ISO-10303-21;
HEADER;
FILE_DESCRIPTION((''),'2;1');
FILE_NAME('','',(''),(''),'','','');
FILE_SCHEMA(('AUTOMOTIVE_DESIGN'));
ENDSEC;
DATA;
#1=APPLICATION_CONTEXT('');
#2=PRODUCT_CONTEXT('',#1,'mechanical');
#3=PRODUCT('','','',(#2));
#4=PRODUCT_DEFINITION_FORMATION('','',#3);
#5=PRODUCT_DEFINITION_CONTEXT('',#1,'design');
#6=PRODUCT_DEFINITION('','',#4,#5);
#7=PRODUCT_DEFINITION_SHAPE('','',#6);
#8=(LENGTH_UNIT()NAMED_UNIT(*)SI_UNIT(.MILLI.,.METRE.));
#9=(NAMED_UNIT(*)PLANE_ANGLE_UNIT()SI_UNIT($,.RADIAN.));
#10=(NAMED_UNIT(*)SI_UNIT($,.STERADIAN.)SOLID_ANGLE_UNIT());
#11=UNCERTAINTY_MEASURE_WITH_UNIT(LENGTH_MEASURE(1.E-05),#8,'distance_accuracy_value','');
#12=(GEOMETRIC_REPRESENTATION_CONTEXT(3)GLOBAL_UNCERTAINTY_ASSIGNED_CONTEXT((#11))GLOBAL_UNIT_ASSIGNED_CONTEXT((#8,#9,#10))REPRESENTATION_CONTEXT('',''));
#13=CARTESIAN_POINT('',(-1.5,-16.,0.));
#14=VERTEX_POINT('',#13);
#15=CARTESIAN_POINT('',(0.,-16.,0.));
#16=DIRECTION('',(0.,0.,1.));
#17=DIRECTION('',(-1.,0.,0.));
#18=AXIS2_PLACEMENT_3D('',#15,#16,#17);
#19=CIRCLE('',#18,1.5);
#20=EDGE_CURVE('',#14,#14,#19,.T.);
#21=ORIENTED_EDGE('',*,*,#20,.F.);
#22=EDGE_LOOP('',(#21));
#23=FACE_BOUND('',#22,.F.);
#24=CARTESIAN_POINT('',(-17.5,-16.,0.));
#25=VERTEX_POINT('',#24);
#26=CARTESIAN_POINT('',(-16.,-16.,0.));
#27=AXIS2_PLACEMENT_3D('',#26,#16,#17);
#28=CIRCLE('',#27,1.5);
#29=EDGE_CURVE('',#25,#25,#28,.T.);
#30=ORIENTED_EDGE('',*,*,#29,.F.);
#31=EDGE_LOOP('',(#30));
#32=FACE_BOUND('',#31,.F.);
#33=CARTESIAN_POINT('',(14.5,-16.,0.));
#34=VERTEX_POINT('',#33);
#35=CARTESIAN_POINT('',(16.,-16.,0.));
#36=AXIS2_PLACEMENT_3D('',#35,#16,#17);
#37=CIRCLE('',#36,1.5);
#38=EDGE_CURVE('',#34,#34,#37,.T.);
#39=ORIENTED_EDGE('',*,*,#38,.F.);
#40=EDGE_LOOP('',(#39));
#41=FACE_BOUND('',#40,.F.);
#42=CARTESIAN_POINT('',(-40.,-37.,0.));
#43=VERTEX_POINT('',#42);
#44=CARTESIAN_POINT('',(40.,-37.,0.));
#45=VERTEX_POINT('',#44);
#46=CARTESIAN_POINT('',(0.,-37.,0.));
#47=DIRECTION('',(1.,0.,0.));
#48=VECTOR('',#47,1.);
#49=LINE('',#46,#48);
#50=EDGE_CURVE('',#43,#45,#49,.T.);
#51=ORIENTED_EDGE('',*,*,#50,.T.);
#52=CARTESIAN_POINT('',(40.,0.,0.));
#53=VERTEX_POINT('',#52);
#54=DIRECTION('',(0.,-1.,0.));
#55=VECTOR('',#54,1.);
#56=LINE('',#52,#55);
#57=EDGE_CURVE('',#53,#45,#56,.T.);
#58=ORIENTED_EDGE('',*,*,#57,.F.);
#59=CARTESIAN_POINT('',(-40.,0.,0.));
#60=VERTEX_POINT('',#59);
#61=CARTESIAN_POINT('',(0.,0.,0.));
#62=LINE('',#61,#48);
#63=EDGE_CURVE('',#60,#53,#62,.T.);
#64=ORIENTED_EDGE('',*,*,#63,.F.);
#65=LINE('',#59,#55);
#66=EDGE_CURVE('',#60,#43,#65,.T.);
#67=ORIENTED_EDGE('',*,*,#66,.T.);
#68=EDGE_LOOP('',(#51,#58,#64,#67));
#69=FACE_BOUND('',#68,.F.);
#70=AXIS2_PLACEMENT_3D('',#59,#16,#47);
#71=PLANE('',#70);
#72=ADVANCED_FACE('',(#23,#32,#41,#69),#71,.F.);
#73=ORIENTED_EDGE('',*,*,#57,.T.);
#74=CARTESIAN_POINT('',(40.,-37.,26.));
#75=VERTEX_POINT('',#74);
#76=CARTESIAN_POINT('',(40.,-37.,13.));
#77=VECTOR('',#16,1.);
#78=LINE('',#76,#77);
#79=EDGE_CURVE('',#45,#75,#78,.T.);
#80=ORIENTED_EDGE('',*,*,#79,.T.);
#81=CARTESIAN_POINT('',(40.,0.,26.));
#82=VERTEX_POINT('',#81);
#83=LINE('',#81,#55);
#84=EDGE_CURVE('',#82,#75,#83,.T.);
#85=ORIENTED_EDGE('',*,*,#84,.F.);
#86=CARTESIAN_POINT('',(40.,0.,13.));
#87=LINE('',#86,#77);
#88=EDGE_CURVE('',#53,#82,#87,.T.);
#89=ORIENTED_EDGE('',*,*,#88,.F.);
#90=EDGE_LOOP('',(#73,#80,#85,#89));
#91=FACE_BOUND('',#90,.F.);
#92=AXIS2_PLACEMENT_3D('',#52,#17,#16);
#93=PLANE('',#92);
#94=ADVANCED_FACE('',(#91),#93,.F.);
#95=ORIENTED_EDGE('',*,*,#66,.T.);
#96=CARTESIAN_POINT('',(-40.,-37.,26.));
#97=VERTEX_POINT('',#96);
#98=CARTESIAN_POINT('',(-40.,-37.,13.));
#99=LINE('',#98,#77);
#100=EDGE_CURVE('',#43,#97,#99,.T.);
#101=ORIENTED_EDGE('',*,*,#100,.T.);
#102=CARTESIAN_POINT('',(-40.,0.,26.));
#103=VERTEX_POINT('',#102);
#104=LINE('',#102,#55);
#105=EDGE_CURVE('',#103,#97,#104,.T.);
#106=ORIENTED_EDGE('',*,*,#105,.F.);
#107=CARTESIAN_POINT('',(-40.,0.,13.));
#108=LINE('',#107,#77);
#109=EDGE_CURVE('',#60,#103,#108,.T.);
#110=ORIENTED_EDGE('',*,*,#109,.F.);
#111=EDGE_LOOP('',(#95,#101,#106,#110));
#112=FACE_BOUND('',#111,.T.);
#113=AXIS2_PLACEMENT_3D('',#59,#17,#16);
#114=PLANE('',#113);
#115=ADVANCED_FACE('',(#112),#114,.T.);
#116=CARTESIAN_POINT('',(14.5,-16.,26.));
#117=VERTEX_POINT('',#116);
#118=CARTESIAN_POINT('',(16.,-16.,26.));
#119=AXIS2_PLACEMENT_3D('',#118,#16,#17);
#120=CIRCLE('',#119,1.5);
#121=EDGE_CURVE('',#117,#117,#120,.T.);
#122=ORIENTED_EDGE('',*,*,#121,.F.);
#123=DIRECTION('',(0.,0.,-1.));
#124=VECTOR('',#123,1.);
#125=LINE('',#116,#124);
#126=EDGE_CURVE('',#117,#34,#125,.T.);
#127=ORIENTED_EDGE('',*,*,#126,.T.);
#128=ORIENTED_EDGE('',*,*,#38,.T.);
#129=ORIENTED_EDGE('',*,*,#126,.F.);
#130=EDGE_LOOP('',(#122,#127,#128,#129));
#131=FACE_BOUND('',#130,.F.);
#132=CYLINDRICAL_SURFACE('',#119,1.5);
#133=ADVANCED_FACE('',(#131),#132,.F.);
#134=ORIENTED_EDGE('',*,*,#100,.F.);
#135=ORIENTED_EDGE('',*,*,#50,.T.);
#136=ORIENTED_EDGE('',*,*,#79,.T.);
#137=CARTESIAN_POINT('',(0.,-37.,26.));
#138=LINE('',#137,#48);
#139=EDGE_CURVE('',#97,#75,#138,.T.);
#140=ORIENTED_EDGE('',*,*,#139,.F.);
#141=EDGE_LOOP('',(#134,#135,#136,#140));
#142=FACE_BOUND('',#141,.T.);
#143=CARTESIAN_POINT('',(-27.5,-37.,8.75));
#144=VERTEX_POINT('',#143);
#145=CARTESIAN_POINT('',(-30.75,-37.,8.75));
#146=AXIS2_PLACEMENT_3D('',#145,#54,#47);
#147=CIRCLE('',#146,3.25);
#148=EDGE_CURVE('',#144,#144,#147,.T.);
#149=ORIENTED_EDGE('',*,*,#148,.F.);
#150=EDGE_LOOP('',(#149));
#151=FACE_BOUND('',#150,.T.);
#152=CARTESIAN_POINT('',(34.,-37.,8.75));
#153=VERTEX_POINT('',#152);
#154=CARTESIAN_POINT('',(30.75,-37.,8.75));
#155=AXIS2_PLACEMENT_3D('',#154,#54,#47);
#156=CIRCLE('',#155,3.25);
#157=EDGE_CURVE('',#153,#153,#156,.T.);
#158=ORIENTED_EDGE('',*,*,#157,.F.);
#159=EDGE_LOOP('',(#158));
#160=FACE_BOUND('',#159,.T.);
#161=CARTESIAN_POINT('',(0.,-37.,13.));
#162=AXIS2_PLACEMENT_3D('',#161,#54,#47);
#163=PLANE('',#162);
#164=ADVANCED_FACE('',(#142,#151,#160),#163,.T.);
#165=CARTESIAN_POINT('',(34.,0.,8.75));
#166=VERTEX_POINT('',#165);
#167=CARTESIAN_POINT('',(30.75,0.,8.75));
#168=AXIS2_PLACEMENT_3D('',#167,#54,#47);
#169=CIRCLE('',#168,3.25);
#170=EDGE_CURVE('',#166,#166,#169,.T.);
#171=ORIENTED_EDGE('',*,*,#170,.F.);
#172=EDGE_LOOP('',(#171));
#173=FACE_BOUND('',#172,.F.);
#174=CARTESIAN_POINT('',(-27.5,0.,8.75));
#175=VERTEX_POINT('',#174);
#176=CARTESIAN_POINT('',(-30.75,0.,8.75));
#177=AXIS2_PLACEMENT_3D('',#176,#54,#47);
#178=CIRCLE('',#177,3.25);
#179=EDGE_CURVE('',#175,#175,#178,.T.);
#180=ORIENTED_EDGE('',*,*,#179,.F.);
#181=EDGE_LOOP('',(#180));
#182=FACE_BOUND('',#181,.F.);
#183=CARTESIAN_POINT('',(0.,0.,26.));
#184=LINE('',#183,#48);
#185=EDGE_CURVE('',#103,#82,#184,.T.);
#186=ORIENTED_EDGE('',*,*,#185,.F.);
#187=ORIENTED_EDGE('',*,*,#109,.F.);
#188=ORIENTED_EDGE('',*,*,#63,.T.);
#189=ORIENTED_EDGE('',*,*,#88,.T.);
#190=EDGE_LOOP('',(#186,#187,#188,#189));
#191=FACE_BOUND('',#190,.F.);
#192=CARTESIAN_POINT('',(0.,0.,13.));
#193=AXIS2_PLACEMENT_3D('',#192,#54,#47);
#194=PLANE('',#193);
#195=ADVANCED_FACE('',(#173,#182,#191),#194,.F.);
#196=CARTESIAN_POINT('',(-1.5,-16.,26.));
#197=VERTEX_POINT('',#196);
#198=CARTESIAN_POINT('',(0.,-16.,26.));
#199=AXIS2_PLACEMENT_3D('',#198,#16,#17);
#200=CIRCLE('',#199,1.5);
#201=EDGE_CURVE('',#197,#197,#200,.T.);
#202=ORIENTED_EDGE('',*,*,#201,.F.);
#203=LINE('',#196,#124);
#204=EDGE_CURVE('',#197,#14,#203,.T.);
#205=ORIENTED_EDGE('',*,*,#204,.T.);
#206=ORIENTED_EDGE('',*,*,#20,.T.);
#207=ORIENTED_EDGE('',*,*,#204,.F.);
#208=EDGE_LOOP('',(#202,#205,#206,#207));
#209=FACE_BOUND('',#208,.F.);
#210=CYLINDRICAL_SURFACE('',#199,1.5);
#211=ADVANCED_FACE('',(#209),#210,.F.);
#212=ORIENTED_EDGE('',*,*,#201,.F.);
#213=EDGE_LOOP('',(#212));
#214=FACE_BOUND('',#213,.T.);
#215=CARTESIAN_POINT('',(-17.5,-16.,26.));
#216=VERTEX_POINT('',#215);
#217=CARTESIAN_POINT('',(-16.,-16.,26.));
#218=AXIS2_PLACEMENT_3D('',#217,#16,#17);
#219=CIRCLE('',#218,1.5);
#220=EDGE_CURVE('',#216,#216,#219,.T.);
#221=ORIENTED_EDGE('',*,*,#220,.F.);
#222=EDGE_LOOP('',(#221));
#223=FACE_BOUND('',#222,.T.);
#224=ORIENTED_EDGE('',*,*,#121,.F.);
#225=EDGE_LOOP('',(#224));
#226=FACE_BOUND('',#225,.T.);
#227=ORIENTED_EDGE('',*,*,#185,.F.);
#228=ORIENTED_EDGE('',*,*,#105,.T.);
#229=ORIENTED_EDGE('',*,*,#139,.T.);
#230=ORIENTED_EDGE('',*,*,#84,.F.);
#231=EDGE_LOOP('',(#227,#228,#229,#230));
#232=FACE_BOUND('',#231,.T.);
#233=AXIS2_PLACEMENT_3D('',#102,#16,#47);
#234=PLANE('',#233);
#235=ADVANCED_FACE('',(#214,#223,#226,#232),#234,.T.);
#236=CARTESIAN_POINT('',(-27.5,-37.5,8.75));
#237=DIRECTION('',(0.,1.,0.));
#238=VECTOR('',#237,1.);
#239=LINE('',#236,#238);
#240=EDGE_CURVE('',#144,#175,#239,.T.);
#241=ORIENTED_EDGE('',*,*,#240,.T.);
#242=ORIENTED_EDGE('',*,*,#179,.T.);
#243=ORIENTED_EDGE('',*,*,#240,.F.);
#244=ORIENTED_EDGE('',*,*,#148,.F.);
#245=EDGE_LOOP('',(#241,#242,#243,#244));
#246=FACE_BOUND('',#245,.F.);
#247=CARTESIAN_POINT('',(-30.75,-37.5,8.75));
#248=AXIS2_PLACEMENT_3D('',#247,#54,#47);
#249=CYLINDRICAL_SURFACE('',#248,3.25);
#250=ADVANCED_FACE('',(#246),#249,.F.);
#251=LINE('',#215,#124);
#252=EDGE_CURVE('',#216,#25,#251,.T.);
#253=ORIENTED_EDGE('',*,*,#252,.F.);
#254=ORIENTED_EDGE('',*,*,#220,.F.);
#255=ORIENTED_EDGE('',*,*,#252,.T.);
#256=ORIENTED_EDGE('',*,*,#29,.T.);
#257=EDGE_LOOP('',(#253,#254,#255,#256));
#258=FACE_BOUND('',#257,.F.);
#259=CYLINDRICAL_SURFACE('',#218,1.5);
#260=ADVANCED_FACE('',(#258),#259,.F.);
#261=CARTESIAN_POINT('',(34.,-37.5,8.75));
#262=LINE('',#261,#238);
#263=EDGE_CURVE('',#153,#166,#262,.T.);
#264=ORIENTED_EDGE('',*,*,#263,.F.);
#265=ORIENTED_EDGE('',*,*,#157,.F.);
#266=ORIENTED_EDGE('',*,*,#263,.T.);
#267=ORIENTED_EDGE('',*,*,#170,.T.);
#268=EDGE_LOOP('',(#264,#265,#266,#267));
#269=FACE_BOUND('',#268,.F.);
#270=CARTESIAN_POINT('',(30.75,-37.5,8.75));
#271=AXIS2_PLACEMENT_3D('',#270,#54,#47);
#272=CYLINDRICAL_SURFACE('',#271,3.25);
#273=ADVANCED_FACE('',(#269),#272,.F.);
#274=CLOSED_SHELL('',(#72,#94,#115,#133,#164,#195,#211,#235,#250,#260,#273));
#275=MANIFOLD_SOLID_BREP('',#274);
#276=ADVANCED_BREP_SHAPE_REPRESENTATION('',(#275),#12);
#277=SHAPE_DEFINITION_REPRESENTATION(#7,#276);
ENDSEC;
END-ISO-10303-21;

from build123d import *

# Parameters (mm, degrees)
SKETCH_W        = 80
SKETCH_H        = 26
PAD_DEPTH       = 37
SKETCH001_R     = 3.25
POCKET_DEPTH    = 37.501
SKETCH002_R     = 1.5
POCKET001_DEPTH = 26.001


with BuildPart() as part:
    # Sketch → Pad (new body)
    with BuildSketch(Plane.XZ):
        with Locations((0, 13)):
            Rectangle(SKETCH_W, SKETCH_H)
    extrude(amount=PAD_DEPTH)

    # Sketch001 → Pocket (cut, through all)
    with BuildSketch(Plane.XZ.offset(37.5)):
        with Locations((-30.75, 8.75)):
            Circle(SKETCH001_R)
        with Locations((30.75, 8.75)):
            Circle(SKETCH001_R)
    extrude(amount=-POCKET_DEPTH, mode=Mode.SUBTRACT)

    # Sketch002 (on Face6 of Pocket) → Pocket001 (cut, through all)
    with BuildSketch(Plane(origin=(0, 0, 26), x_dir=(-1, 0, 0), z_dir=(0, 0, 1))):
        with Locations((-16, 16)):
            Circle(SKETCH002_R)
        with Locations((16, 16)):
            Circle(SKETCH002_R)
        with Locations((0, 16)):
            Circle(SKETCH002_R)
    extrude(amount=-POCKET001_DEPTH, mode=Mode.SUBTRACT)


solid = part.part
